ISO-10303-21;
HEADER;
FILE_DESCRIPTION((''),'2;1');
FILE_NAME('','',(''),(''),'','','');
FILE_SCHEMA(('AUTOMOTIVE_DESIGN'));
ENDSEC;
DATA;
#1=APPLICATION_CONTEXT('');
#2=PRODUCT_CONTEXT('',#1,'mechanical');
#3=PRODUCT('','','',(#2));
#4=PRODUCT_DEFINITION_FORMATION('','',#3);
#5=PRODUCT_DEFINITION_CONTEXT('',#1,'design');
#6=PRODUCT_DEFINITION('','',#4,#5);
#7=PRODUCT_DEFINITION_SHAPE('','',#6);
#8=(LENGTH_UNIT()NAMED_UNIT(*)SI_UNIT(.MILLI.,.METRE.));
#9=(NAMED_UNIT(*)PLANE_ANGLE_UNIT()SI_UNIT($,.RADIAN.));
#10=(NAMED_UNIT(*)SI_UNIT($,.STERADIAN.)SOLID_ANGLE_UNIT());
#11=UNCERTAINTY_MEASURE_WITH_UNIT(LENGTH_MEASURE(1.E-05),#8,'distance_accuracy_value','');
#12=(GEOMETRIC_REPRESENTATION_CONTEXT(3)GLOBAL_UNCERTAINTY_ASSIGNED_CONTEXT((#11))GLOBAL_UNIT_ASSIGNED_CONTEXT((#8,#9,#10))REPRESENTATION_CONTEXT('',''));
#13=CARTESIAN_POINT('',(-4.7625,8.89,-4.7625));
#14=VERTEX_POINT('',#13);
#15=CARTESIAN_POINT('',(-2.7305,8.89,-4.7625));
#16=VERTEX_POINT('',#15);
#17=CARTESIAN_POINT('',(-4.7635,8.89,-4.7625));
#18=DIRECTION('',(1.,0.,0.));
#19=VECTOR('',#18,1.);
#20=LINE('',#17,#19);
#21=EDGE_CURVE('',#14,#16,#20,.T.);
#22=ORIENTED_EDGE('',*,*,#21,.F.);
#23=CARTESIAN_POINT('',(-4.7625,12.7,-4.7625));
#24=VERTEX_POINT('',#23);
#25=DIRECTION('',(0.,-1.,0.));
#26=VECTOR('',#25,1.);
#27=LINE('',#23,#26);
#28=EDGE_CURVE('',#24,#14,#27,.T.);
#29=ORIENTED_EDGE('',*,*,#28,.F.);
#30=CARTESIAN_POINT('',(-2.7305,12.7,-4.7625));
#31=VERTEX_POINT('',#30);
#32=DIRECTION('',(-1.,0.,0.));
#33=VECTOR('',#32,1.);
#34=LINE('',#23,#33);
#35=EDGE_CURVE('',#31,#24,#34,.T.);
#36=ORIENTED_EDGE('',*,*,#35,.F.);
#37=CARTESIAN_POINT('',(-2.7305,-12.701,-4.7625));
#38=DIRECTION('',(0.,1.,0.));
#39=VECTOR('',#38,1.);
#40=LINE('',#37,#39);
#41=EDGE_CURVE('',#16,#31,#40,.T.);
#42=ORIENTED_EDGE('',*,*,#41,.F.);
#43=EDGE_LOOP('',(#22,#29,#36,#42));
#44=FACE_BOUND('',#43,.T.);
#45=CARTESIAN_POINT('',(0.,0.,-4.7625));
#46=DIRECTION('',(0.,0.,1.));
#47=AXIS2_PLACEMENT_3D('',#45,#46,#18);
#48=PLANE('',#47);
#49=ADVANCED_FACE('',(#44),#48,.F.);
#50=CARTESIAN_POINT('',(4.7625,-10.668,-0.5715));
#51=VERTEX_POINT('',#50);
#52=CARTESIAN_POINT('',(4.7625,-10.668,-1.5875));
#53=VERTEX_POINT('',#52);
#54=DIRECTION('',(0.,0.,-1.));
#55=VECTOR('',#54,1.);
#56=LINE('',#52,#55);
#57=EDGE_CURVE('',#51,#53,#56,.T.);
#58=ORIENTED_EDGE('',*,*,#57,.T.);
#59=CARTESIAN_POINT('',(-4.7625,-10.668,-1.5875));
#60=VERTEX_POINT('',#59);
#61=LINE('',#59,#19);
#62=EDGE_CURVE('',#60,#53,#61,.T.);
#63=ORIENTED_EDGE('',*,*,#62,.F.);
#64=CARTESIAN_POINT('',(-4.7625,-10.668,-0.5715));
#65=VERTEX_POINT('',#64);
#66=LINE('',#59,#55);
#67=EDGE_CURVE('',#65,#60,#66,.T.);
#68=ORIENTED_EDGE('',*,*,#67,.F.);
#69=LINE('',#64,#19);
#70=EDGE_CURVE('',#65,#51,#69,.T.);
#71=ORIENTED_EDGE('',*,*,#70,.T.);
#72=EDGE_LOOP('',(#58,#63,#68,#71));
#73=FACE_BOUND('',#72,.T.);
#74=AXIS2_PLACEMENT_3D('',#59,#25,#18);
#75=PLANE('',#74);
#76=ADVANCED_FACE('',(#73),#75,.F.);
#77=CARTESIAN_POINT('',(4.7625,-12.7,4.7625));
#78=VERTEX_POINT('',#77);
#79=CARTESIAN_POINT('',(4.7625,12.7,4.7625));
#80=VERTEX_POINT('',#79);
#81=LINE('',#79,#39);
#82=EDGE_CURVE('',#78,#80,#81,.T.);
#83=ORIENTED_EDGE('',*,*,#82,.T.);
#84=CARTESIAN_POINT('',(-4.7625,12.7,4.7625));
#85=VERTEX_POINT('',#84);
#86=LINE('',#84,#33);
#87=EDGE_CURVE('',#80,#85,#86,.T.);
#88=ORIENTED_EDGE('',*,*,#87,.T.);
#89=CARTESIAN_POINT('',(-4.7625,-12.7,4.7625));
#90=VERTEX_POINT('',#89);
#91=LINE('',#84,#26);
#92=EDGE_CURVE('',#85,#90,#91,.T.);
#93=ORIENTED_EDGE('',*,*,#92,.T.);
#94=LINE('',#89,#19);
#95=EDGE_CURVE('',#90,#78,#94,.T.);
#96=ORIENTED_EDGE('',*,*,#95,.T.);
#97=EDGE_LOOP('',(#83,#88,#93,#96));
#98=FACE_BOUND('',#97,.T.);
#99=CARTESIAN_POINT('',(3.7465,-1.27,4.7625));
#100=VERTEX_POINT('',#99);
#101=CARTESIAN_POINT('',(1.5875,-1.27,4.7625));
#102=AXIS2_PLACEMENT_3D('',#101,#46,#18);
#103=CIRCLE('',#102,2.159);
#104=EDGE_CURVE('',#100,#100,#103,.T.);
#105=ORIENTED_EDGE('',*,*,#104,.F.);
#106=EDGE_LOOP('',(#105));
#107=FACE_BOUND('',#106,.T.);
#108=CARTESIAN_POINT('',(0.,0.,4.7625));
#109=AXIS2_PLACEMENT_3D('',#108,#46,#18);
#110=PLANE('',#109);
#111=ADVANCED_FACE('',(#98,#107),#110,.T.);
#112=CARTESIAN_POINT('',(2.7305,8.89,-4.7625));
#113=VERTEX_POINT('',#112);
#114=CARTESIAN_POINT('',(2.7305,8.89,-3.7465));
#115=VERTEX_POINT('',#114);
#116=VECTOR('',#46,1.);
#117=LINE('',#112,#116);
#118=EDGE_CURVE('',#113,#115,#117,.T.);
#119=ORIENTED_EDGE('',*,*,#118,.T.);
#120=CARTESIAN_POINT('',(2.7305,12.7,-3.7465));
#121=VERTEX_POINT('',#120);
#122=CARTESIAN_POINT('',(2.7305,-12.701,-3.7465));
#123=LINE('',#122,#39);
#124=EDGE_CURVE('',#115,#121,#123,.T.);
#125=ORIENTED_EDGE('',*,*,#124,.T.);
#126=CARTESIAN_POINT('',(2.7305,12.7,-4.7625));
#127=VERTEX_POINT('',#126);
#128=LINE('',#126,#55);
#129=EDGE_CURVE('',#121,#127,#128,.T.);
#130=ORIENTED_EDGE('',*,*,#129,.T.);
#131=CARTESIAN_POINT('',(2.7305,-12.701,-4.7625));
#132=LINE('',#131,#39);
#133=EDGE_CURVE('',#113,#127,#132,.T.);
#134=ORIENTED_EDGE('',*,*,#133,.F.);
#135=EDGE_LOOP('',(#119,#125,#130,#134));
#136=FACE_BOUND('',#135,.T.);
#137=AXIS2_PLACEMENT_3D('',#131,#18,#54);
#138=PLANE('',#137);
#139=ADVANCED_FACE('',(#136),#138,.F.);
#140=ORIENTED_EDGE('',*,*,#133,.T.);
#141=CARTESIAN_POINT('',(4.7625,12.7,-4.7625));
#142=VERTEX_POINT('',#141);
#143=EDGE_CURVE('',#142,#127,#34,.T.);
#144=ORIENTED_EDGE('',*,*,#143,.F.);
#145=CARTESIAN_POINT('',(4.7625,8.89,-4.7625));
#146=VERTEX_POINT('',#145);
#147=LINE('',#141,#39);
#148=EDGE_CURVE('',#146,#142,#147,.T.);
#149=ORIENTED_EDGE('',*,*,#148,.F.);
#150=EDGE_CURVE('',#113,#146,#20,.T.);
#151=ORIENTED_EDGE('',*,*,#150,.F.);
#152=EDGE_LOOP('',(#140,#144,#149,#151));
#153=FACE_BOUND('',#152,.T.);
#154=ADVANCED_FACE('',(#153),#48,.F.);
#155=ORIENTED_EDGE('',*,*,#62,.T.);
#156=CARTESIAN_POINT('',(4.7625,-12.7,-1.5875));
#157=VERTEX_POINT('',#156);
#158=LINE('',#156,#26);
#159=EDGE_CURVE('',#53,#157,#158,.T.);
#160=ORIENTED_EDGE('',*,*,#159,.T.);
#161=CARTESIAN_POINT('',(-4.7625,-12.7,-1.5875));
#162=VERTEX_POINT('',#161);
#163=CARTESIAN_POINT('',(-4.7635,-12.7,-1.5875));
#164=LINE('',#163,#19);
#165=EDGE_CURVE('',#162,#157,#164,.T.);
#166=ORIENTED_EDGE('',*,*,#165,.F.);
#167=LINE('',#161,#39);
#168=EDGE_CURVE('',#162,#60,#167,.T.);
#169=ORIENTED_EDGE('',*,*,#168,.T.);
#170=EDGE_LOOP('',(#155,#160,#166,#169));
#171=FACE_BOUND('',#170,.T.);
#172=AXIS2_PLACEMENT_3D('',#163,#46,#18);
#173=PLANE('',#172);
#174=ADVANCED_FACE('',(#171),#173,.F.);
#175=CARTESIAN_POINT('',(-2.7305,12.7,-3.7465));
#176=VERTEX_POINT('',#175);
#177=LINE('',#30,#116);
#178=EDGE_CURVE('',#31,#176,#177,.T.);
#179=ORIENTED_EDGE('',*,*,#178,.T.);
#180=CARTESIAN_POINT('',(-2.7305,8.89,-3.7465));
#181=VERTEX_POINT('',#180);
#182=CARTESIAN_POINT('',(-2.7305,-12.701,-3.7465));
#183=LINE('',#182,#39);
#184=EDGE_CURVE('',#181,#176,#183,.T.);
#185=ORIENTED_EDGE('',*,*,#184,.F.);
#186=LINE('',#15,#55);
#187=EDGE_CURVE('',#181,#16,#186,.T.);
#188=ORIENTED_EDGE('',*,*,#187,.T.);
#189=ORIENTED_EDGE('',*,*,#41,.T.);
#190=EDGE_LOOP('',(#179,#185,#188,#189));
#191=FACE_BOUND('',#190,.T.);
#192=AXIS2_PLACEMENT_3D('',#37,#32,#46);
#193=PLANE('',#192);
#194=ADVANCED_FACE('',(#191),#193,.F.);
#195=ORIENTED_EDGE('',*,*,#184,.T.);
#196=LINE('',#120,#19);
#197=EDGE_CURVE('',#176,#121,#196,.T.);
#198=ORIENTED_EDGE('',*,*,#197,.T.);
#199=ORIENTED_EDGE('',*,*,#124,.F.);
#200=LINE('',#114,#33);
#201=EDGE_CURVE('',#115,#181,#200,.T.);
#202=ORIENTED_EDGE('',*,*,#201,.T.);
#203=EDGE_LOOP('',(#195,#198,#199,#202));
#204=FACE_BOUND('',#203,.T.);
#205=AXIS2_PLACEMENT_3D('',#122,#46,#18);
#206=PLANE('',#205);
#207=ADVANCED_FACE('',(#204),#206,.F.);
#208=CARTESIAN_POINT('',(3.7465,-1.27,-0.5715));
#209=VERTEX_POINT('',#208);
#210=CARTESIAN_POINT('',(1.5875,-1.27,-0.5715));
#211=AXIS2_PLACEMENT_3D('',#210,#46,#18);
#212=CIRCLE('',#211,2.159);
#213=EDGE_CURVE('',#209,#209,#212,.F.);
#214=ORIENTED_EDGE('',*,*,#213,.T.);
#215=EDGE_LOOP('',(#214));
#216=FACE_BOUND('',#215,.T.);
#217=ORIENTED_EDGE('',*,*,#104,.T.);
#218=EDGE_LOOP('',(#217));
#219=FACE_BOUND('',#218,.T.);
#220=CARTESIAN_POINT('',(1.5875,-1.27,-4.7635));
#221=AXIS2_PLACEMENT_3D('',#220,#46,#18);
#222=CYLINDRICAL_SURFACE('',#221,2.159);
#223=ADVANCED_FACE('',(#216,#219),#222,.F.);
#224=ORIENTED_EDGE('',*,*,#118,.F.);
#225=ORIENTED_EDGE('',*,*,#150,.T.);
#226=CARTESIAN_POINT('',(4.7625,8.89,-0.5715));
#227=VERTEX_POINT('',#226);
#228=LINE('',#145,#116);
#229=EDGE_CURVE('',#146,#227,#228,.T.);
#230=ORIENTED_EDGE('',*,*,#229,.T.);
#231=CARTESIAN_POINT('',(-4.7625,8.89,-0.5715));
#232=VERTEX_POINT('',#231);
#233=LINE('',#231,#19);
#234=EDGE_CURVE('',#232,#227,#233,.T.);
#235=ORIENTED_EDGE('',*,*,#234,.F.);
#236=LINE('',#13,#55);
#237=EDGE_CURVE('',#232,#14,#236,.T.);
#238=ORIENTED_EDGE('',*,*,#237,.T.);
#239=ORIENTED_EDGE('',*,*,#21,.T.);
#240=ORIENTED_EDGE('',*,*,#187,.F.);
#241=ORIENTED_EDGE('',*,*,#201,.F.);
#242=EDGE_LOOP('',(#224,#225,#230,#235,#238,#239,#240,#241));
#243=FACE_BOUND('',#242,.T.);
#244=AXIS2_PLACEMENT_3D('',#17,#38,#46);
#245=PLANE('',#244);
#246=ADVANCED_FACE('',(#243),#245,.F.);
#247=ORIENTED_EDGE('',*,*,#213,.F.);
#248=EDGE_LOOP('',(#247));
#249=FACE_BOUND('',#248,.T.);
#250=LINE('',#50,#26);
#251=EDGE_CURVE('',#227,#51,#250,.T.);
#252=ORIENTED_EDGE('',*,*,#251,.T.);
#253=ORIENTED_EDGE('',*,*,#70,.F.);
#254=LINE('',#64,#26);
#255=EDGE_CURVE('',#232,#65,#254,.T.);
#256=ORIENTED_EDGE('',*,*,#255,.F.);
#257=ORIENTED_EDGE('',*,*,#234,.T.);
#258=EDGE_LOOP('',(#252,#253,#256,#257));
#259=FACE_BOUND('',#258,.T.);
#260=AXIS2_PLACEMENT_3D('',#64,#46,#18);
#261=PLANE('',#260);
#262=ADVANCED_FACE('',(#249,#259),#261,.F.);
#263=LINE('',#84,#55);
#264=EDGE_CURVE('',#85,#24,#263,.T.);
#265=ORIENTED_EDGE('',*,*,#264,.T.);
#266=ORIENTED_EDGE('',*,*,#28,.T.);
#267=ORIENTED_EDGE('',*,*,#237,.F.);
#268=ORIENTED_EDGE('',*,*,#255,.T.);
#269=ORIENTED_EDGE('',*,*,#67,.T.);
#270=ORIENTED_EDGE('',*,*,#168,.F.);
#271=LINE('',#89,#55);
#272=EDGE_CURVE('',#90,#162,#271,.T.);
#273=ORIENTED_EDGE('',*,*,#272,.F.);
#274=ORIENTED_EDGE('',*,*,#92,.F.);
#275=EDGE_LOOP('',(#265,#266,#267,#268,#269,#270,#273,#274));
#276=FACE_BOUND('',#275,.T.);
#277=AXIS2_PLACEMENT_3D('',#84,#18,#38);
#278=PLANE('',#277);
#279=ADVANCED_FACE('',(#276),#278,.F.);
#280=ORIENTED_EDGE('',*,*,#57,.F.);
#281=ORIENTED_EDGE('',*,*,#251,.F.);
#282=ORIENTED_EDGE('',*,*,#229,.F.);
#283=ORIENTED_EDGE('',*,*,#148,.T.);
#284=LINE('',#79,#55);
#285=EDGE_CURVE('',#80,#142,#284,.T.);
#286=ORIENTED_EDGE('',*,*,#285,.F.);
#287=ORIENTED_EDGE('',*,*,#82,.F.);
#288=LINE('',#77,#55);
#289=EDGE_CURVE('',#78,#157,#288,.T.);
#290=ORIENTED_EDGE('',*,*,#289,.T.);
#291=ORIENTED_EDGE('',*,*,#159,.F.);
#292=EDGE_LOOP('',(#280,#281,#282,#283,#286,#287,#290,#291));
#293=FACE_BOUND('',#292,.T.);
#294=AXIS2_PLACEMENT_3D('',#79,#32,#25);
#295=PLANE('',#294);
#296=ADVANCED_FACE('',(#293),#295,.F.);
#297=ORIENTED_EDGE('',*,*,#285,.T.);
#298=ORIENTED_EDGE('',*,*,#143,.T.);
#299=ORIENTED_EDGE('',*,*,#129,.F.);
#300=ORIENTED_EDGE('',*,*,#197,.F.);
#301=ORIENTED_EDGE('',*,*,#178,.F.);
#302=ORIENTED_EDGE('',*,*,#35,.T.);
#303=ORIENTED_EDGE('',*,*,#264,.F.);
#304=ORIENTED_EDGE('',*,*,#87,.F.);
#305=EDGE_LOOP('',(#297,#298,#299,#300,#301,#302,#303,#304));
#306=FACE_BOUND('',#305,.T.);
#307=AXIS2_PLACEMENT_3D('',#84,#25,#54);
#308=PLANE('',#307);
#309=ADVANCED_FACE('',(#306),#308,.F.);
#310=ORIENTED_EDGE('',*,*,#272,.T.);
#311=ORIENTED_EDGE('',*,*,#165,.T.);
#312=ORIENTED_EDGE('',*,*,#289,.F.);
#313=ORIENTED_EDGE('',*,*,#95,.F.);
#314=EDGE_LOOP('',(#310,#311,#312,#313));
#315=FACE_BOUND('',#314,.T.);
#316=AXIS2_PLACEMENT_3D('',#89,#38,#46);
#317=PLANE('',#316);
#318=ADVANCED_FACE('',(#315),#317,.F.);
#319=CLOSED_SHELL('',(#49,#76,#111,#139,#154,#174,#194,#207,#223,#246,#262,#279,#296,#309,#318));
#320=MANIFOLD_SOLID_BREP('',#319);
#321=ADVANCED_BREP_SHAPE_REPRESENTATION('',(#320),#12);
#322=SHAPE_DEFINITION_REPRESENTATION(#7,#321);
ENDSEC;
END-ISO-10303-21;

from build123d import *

# Parameters (mm, degrees)
SKETCH1_W           = 9.525
SKETCH1_H           = 25.4
BOSS_EXTRUDE1_DEPTH = 4.7625
CUT_EXTRUDE1_REACH  = 18.574
SKETCH2_W           = 3.175
SKETCH2_H           = 21.59
CUT_EXTRUDE2_REACH  = 18.574
SKETCH3_R           = 2.159
CUT_EXTRUDE3_REACH  = 28.278
SKETCH4_W           = 5.461
SKETCH4_H           = 1.016
SKETCH5_W           = 1.016
SKETCH5_H           = 19.558
CUT_EXTRUDE4_DEPTH  = 17.573986583


with BuildPart() as part:
    # Sketch1 → Boss-Extrude1 (new, symmetric)
    with BuildSketch(Plane.XY):
        Rectangle(SKETCH1_W, SKETCH1_H)
    extrude(amount=BOSS_EXTRUDE1_DEPTH, both=True)

    # Sketch2 → Cut-Extrude1 (cut, up to next)
    with BuildSketch(Plane(origin=(4.7625, 0, 0), x_dir=(0, 0, -1), z_dir=(1, 0, 0)), mode=Mode.PRIVATE) as cut_extrude1_sk1:
        with Locations((3.175, -1.905)):
            Rectangle(SKETCH2_W, SKETCH2_H)
    cut_extrude1_tool1 = extrude(cut_extrude1_sk1.sketch, amount=-CUT_EXTRUDE1_REACH, mode=Mode.PRIVATE) & part.part
    add(cut_extrude1_tool1.solids().sort_by_distance((4.7625, -1.905, -3.175))[0], mode=Mode.SUBTRACT)

    # Sketch3 → Cut-Extrude2 (cut, up to next)
    with BuildSketch(Plane.XY.offset(4.7625), mode=Mode.PRIVATE) as cut_extrude2_sk1:
        with Locations((1.5875, -1.27)):
            Circle(SKETCH3_R)
    cut_extrude2_tool1 = extrude(cut_extrude2_sk1.sketch, amount=-CUT_EXTRUDE2_REACH, mode=Mode.PRIVATE) & part.part
    add(cut_extrude2_tool1.solids().sort_by_distance((1.5875, -1.27, 4.7625))[0], mode=Mode.SUBTRACT)

    # Sketch4 → Cut-Extrude3 (cut, up to next)
    with BuildSketch(Plane(origin=(0, 12.7, 0), x_dir=(1, 0, 0), z_dir=(0, 1, 0)), mode=Mode.PRIVATE) as cut_extrude3_sk1:
        with Locations((0, 4.2545)):
            Rectangle(SKETCH4_W, SKETCH4_H)
    cut_extrude3_tool1 = extrude(cut_extrude3_sk1.sketch, amount=-CUT_EXTRUDE3_REACH, mode=Mode.PRIVATE) & part.part
    add(cut_extrude3_tool1.solids().sort_by_distance((0, 12.7, -4.2545))[0], mode=Mode.SUBTRACT)

    # Sketch5 → Cut-Extrude4 (cut, through all)
    with BuildSketch(Plane(origin=(4.7625, 0, 0), x_dir=(0, 0, -1), z_dir=(1, 0, 0))):
        with Locations((1.0795, -0.889)):
            Rectangle(SKETCH5_W, SKETCH5_H)
    extrude(amount=-CUT_EXTRUDE4_DEPTH, mode=Mode.SUBTRACT)


solid = part.part
